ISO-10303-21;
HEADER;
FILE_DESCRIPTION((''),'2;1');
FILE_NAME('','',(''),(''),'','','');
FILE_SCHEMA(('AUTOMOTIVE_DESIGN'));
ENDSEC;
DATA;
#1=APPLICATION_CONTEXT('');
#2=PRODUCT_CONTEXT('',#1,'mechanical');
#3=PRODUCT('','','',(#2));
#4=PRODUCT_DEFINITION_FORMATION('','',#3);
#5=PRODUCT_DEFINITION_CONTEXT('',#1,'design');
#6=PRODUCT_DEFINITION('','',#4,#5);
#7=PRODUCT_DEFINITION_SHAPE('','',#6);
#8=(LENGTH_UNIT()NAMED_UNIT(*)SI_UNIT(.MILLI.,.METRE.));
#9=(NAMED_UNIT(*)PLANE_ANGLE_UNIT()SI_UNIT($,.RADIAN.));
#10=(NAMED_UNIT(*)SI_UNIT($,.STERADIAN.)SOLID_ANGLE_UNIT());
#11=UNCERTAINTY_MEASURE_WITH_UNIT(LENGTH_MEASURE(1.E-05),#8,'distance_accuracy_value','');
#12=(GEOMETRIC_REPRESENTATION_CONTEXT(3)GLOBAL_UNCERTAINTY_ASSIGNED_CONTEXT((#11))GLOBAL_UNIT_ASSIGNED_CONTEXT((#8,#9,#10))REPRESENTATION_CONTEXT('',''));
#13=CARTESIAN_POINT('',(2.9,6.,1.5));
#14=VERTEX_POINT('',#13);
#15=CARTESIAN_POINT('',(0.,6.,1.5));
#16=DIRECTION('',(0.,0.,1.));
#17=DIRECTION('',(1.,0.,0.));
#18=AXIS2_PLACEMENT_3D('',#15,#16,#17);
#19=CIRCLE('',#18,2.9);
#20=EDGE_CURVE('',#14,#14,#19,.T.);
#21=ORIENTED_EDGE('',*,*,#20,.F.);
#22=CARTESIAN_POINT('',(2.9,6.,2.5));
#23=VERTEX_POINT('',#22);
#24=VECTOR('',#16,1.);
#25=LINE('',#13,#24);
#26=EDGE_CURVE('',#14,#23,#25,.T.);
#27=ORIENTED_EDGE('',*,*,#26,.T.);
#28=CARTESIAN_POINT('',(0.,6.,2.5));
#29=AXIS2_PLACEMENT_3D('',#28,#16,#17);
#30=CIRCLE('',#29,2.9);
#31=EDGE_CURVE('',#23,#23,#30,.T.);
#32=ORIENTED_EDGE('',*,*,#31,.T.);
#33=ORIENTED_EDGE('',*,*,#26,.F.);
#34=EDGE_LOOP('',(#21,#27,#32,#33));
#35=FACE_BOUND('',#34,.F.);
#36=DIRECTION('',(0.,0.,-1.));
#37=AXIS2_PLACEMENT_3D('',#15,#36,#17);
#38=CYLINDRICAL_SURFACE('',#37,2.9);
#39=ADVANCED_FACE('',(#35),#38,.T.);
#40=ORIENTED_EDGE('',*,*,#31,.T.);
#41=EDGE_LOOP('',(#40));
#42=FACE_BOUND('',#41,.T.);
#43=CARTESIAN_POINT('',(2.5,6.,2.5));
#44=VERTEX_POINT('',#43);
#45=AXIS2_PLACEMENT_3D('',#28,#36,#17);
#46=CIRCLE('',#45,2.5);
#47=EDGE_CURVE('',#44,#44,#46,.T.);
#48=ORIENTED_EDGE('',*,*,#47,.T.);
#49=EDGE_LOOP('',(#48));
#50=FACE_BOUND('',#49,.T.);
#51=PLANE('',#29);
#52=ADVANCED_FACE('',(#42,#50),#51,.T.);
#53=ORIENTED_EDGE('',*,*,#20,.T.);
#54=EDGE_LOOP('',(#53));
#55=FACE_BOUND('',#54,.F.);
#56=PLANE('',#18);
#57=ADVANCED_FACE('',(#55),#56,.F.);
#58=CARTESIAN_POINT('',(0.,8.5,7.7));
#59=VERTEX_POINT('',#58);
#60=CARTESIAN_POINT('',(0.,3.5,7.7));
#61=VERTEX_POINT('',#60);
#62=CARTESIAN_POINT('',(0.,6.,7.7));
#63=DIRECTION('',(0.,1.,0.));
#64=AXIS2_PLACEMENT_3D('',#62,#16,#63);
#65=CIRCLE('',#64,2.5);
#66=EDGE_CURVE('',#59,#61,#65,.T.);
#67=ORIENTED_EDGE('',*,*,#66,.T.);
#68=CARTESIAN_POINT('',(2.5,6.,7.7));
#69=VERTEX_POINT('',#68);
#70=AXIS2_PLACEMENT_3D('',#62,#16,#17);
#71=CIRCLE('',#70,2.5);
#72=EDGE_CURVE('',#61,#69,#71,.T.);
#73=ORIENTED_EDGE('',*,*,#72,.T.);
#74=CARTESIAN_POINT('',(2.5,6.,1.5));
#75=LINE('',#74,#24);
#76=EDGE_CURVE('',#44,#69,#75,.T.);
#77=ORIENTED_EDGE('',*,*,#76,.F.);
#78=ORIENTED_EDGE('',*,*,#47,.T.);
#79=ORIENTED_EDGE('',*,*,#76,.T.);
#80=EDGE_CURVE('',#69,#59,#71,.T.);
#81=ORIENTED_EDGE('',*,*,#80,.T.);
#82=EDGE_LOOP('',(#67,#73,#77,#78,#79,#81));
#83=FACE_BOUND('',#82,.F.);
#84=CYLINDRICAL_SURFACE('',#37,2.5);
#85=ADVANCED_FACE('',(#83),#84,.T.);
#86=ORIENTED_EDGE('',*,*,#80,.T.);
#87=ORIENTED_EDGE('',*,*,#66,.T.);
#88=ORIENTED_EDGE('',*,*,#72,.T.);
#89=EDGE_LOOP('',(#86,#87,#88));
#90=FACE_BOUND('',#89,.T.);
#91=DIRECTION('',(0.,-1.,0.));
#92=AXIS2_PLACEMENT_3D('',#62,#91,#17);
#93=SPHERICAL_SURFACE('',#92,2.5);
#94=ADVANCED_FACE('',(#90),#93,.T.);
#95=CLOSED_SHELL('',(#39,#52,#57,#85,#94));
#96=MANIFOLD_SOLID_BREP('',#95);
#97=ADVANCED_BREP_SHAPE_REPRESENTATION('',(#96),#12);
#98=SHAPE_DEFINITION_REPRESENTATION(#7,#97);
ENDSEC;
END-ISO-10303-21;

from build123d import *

# Parameters (mm, degrees)
CYLINDER003_R     = 2.9
CYLINDER003_DEPTH = 1
SPHERE_ANGLE      = 180
SPHERE_ROLL_ANGLE = 90
CYLINDER002_R     = 2.5
CYLINDER002_DEPTH = 6.2


with BuildPart() as cilindro003:
    # Cylinder003 → Cylinder003 (new body)
    with BuildSketch(Plane.XY):
        Circle(CYLINDER003_R)
    extrude(amount=CYLINDER003_DEPTH)


with BuildPart() as esf_ra:
    # Sphere → Sphere (revolve)
    with BuildSketch(Plane.XZ):
        with BuildLine():
            ThreePointArc((0, -2.5), (2.5, 0), (0, 2.5))
            Line((0, 2.5), (0, -2.5))
        make_face()
    revolve(axis=Axis((0, 0, 0), (0, 0, 1)), revolution_arc=SPHERE_ANGLE)


with BuildPart() as esf_ra_1:
    # Sphere roll: moved
    add(esf_ra.part.rotate(Axis((0, 0, 0), (1, 0, 0)), SPHERE_ROLL_ANGLE))


with BuildPart() as esf_ra_2:
    # Sphere placement: moved
    add(esf_ra_1.part.moved(Location((0, 0, 6.2))))


with BuildPart() as funda:
    # Cylinder002 → Cylinder002 (new body)
    with BuildSketch(Plane.XY):
        Circle(CYLINDER002_R)
    extrude(amount=CYLINDER002_DEPTH)

    # Fusion001: union Cilindro003, Esféra
    add(cilindro003.part)
    add(esf_ra_2.part)


with BuildPart() as funda_1:
    # Fusion001 placement: moved
    add(funda.part.moved(Location((0, 6, 1.5))))


solid = funda_1.part
